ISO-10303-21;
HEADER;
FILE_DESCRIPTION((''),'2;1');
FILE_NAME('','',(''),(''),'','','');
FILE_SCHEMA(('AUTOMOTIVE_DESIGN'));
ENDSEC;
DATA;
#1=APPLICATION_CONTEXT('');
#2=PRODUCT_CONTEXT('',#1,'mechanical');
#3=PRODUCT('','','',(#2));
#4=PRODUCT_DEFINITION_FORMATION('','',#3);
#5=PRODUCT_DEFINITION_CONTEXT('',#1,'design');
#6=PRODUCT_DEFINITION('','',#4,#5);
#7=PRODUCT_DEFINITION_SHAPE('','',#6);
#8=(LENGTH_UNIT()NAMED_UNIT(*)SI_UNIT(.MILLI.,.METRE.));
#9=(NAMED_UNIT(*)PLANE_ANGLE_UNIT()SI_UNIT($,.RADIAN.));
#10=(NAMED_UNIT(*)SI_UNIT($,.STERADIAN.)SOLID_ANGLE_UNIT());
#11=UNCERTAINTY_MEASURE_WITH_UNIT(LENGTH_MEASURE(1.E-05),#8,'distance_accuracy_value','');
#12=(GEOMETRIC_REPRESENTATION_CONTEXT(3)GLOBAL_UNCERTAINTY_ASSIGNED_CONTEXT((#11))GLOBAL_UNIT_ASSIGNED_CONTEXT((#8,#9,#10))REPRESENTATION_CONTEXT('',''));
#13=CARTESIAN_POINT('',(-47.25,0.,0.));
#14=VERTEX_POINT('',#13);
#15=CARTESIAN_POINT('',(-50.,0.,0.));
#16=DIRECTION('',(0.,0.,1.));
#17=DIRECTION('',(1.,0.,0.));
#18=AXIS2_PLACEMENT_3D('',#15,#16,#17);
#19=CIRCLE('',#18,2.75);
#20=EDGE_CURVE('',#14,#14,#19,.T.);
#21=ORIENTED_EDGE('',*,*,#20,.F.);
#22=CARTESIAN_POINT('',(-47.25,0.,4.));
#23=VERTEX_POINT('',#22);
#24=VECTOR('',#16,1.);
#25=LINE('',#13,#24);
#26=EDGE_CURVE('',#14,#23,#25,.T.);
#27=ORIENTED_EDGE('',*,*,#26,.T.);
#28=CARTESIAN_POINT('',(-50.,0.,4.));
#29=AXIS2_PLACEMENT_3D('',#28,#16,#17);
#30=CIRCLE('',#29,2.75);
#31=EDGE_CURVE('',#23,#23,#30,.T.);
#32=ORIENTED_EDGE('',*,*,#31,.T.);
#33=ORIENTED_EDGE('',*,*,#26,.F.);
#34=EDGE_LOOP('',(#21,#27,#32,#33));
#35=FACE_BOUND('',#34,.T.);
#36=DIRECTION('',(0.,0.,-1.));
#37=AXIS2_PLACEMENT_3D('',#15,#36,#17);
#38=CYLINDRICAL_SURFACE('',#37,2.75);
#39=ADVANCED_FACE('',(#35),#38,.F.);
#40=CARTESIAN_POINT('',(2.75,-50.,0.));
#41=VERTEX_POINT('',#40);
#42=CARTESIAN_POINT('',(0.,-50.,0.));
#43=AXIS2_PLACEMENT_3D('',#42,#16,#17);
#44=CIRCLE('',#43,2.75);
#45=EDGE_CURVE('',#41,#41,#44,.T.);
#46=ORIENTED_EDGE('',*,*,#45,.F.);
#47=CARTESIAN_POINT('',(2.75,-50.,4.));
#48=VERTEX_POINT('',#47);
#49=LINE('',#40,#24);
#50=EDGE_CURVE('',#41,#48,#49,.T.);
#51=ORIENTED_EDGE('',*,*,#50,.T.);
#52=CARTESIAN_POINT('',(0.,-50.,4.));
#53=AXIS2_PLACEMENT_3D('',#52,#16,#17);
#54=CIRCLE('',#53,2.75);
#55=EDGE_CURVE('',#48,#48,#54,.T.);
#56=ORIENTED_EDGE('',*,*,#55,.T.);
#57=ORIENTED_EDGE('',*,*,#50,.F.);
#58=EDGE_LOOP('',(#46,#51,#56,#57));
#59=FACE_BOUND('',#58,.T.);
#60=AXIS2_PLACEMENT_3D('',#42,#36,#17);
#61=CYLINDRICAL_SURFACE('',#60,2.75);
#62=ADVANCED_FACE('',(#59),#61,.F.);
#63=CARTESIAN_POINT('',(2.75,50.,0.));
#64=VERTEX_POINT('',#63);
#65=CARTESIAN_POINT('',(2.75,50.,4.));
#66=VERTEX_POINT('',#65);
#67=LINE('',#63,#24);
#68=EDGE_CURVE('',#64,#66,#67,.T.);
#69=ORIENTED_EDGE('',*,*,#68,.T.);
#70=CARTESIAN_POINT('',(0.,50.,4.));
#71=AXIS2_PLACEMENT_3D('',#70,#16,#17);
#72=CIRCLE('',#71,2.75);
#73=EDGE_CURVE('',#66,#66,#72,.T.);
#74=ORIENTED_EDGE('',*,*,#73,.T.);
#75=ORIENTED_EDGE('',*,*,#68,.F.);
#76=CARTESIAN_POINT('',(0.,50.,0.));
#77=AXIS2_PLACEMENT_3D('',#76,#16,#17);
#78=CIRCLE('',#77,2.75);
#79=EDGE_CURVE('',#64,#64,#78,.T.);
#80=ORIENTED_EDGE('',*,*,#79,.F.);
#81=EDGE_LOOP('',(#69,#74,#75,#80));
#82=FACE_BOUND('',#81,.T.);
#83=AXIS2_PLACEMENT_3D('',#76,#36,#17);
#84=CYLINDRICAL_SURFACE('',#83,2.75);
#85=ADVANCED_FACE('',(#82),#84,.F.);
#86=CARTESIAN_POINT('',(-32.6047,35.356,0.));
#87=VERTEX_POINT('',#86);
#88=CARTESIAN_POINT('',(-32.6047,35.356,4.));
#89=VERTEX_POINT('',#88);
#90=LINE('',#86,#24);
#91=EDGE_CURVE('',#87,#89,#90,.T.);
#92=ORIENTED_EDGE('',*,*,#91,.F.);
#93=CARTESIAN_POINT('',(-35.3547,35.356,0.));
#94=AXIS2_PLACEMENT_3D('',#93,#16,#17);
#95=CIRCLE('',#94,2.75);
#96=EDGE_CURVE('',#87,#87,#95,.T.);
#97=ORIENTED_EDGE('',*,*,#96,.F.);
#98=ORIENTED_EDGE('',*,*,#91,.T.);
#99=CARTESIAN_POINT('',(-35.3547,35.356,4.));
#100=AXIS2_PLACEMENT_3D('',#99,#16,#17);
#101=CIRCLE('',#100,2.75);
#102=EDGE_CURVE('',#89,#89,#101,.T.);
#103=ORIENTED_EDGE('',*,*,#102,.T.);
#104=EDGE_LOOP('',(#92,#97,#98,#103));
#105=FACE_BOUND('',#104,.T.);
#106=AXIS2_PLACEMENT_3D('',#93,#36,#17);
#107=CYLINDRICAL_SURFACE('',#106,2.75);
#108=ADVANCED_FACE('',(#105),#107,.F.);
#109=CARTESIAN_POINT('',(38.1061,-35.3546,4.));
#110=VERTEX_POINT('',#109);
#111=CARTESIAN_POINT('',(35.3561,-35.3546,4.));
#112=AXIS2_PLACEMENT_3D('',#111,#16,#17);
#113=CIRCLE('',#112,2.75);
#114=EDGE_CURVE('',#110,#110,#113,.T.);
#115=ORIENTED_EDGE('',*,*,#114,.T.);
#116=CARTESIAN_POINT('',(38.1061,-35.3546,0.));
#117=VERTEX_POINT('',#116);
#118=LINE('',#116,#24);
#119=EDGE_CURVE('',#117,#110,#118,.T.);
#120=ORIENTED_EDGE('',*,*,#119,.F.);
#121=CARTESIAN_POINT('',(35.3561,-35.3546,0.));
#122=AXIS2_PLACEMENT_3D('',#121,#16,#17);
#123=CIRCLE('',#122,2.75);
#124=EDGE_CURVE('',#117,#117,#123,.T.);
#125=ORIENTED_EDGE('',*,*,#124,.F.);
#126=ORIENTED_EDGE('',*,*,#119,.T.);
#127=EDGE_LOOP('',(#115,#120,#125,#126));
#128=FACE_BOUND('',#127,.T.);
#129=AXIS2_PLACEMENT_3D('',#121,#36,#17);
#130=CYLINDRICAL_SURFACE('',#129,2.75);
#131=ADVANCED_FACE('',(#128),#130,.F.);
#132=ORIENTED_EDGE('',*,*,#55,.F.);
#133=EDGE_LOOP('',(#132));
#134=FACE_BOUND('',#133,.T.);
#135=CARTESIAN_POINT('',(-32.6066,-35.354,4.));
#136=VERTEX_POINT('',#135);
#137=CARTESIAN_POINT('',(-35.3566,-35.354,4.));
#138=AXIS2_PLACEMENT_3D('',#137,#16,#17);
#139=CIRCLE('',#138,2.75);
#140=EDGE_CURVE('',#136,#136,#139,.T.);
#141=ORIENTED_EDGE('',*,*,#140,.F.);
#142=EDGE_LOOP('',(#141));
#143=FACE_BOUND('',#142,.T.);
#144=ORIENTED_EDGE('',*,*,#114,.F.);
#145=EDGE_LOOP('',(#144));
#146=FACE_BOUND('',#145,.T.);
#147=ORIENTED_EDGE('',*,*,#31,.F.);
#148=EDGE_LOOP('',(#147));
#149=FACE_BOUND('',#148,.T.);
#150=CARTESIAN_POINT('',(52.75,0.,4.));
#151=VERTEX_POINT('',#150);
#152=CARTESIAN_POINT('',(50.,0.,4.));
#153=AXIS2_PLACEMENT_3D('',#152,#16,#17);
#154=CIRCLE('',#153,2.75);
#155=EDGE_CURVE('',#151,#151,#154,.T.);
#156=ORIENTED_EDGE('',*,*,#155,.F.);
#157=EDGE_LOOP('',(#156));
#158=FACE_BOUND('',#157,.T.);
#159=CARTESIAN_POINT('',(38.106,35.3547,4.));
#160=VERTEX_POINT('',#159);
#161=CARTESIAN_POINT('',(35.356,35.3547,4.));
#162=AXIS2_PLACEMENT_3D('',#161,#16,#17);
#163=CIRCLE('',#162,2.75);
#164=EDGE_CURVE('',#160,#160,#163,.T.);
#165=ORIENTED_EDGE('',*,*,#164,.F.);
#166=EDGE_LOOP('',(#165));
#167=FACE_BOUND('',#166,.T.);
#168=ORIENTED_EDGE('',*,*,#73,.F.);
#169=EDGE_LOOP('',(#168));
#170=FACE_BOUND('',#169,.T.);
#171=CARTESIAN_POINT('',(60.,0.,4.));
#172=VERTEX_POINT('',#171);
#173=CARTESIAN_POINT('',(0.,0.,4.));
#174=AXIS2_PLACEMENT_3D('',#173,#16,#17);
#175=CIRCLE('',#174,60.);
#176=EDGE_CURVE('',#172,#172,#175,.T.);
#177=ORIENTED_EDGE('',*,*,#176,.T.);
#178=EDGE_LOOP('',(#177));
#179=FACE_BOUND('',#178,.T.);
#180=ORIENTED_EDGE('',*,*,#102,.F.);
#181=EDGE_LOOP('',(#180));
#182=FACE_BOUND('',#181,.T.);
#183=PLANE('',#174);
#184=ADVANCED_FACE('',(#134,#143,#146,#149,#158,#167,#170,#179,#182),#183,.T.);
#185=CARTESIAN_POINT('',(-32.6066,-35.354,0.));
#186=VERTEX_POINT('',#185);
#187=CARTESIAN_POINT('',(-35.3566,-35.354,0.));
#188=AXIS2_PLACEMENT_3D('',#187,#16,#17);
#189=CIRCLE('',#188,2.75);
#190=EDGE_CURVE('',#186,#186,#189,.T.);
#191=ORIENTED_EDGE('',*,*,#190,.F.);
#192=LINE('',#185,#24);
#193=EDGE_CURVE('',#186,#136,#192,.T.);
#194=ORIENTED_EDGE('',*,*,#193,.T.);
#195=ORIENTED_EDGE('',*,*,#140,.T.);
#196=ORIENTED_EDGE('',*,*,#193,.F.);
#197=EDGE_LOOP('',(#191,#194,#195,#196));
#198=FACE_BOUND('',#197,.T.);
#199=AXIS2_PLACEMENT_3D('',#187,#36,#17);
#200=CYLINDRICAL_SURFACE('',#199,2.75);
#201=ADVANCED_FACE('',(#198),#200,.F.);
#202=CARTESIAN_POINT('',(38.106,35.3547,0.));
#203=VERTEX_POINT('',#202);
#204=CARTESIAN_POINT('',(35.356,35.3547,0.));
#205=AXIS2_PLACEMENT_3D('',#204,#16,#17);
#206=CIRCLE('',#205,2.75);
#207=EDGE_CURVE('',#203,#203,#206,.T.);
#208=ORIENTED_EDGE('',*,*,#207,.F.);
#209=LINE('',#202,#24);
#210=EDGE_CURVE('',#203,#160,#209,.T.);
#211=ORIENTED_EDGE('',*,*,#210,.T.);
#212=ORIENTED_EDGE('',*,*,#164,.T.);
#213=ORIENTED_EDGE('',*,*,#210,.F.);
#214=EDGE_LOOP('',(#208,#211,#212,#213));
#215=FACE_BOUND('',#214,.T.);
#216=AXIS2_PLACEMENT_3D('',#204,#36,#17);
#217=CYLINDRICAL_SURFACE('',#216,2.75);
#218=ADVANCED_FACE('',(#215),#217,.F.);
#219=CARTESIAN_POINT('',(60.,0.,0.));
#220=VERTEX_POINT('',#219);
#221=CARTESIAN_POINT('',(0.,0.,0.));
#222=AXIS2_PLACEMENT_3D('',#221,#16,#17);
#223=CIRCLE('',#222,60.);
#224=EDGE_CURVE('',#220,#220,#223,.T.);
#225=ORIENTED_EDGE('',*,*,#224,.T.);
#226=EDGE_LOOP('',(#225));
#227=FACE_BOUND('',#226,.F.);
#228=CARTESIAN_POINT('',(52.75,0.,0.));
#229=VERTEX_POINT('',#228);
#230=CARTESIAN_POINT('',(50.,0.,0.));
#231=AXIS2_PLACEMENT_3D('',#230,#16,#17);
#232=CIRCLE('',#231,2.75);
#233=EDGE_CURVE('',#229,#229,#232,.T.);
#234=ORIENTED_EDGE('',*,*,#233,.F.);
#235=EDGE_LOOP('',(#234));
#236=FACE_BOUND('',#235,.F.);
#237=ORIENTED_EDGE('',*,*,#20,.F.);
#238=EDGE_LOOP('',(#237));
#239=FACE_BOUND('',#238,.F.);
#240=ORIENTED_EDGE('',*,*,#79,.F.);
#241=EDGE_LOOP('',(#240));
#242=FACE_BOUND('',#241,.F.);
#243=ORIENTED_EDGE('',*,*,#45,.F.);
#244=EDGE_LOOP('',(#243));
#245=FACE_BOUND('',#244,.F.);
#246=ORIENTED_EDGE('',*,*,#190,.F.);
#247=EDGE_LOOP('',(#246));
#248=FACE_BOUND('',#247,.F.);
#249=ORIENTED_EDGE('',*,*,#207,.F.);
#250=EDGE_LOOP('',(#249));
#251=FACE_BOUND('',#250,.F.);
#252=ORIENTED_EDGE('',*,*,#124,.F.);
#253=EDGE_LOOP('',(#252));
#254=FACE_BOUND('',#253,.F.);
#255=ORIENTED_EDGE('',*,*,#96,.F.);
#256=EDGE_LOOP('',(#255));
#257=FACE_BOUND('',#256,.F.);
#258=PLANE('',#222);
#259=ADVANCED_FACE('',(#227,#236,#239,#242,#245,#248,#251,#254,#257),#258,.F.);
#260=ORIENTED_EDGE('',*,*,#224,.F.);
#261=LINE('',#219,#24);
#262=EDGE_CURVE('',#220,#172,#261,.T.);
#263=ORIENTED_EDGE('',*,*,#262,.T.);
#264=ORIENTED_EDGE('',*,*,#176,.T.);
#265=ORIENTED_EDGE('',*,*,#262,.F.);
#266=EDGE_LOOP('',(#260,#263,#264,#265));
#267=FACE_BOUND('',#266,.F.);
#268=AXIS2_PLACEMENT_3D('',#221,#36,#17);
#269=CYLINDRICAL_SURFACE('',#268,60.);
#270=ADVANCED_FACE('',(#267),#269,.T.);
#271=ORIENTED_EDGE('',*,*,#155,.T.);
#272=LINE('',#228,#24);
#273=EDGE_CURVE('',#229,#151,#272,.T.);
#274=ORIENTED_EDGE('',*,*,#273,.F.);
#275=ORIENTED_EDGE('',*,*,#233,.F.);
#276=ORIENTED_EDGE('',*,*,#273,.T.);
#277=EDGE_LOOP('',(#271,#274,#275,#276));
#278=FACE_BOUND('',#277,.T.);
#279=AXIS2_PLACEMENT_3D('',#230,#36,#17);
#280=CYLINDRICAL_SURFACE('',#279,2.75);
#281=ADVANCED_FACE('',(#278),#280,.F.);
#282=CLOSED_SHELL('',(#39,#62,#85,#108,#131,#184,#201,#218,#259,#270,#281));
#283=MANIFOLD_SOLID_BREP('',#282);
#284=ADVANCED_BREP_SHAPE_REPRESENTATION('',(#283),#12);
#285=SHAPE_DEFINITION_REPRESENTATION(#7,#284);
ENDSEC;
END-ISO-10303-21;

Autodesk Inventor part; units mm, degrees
ref_plane "YZ Plane" through (0, 0, 0) normal (1, 0, 0) x (0, 1, 0)
ref_plane "XZ Plane" through (0, 0, 0) normal (0, 1, 0) x (-1, 0, 0)
ref_plane "XY Plane" through (0, 0, 0) normal (0, 0, 1) x (1, 0, 0)
sketch "Boceto1" plane through (0, 0, 0) normal (0, 0, 1) x (1, 0, 0)
  circle A0 centre (-35.3566, -35.354) radius 2.75
  circle A1 centre (-35.3547, 35.356) radius 2.75
  circle A2 centre (-50, 0) radius 2.75
  circle A3 centre (0, 50) radius 2.75
  circle A4 centre (0, -50) radius 2.75
  circle A5 centre (35.356, 35.3547) radius 2.75
  circle A6 centre (35.3561, -35.3546) radius 2.75
  circle A7 centre (0, 0) radius 45
  circle A8 centre (0, 0) radius 60
  circle A9 centre (50, 0) radius 2.75
  dimension "d0" = 120
  dimension "d1" = 5.5
  dimension "d2" = 5.5
  dimension "d3" = 5.5
  dimension "d4" = 5.5
  dimension "d5" = 5.5
  dimension "d6" = 5.5
  dimension "d7" = 5.5
  dimension "d8" = 5.5
  dimension "d9" = 50
  dimension "d10" = 7.25
  dimension "d11" = 50
  dimension "d12" = 50
  dimension "d13" = 50
  dimension "d14" = 50
  dimension "d15" = 50
  dimension "d16" = 50
  dimension "d17" = 50
  dimension "d21" = 90
extrude "Extrusión1" add sketch "Boceto1" along normal blind 4 contours A7 | A8
equation "\"d1\" = DiametroTornillo"
equation "\"d2\" = DiametroTornillo"
equation "\"d3\" = DiametroTornillo"
equation "\"d4\" = DiametroTornillo"
equation "\"d5\" = DiametroTornillo"
equation "\"d6\" = DiametroTornillo"
equation "\"d7\" = DiametroTornillo"
equation "\"d8\" = DiametroTornillo"
equation "\"d11\" = d9"
equation "\"d12\" = d9"
equation "\"d13\" = d9"
equation "\"d14\" = d9"
equation "\"d15\" = d9"
equation "\"d16\" = d9"
equation "\"d17\" = d9"
equation "\"DiametroTornillo\" = 5.5"
properties part number "B-01" material "PETG"
